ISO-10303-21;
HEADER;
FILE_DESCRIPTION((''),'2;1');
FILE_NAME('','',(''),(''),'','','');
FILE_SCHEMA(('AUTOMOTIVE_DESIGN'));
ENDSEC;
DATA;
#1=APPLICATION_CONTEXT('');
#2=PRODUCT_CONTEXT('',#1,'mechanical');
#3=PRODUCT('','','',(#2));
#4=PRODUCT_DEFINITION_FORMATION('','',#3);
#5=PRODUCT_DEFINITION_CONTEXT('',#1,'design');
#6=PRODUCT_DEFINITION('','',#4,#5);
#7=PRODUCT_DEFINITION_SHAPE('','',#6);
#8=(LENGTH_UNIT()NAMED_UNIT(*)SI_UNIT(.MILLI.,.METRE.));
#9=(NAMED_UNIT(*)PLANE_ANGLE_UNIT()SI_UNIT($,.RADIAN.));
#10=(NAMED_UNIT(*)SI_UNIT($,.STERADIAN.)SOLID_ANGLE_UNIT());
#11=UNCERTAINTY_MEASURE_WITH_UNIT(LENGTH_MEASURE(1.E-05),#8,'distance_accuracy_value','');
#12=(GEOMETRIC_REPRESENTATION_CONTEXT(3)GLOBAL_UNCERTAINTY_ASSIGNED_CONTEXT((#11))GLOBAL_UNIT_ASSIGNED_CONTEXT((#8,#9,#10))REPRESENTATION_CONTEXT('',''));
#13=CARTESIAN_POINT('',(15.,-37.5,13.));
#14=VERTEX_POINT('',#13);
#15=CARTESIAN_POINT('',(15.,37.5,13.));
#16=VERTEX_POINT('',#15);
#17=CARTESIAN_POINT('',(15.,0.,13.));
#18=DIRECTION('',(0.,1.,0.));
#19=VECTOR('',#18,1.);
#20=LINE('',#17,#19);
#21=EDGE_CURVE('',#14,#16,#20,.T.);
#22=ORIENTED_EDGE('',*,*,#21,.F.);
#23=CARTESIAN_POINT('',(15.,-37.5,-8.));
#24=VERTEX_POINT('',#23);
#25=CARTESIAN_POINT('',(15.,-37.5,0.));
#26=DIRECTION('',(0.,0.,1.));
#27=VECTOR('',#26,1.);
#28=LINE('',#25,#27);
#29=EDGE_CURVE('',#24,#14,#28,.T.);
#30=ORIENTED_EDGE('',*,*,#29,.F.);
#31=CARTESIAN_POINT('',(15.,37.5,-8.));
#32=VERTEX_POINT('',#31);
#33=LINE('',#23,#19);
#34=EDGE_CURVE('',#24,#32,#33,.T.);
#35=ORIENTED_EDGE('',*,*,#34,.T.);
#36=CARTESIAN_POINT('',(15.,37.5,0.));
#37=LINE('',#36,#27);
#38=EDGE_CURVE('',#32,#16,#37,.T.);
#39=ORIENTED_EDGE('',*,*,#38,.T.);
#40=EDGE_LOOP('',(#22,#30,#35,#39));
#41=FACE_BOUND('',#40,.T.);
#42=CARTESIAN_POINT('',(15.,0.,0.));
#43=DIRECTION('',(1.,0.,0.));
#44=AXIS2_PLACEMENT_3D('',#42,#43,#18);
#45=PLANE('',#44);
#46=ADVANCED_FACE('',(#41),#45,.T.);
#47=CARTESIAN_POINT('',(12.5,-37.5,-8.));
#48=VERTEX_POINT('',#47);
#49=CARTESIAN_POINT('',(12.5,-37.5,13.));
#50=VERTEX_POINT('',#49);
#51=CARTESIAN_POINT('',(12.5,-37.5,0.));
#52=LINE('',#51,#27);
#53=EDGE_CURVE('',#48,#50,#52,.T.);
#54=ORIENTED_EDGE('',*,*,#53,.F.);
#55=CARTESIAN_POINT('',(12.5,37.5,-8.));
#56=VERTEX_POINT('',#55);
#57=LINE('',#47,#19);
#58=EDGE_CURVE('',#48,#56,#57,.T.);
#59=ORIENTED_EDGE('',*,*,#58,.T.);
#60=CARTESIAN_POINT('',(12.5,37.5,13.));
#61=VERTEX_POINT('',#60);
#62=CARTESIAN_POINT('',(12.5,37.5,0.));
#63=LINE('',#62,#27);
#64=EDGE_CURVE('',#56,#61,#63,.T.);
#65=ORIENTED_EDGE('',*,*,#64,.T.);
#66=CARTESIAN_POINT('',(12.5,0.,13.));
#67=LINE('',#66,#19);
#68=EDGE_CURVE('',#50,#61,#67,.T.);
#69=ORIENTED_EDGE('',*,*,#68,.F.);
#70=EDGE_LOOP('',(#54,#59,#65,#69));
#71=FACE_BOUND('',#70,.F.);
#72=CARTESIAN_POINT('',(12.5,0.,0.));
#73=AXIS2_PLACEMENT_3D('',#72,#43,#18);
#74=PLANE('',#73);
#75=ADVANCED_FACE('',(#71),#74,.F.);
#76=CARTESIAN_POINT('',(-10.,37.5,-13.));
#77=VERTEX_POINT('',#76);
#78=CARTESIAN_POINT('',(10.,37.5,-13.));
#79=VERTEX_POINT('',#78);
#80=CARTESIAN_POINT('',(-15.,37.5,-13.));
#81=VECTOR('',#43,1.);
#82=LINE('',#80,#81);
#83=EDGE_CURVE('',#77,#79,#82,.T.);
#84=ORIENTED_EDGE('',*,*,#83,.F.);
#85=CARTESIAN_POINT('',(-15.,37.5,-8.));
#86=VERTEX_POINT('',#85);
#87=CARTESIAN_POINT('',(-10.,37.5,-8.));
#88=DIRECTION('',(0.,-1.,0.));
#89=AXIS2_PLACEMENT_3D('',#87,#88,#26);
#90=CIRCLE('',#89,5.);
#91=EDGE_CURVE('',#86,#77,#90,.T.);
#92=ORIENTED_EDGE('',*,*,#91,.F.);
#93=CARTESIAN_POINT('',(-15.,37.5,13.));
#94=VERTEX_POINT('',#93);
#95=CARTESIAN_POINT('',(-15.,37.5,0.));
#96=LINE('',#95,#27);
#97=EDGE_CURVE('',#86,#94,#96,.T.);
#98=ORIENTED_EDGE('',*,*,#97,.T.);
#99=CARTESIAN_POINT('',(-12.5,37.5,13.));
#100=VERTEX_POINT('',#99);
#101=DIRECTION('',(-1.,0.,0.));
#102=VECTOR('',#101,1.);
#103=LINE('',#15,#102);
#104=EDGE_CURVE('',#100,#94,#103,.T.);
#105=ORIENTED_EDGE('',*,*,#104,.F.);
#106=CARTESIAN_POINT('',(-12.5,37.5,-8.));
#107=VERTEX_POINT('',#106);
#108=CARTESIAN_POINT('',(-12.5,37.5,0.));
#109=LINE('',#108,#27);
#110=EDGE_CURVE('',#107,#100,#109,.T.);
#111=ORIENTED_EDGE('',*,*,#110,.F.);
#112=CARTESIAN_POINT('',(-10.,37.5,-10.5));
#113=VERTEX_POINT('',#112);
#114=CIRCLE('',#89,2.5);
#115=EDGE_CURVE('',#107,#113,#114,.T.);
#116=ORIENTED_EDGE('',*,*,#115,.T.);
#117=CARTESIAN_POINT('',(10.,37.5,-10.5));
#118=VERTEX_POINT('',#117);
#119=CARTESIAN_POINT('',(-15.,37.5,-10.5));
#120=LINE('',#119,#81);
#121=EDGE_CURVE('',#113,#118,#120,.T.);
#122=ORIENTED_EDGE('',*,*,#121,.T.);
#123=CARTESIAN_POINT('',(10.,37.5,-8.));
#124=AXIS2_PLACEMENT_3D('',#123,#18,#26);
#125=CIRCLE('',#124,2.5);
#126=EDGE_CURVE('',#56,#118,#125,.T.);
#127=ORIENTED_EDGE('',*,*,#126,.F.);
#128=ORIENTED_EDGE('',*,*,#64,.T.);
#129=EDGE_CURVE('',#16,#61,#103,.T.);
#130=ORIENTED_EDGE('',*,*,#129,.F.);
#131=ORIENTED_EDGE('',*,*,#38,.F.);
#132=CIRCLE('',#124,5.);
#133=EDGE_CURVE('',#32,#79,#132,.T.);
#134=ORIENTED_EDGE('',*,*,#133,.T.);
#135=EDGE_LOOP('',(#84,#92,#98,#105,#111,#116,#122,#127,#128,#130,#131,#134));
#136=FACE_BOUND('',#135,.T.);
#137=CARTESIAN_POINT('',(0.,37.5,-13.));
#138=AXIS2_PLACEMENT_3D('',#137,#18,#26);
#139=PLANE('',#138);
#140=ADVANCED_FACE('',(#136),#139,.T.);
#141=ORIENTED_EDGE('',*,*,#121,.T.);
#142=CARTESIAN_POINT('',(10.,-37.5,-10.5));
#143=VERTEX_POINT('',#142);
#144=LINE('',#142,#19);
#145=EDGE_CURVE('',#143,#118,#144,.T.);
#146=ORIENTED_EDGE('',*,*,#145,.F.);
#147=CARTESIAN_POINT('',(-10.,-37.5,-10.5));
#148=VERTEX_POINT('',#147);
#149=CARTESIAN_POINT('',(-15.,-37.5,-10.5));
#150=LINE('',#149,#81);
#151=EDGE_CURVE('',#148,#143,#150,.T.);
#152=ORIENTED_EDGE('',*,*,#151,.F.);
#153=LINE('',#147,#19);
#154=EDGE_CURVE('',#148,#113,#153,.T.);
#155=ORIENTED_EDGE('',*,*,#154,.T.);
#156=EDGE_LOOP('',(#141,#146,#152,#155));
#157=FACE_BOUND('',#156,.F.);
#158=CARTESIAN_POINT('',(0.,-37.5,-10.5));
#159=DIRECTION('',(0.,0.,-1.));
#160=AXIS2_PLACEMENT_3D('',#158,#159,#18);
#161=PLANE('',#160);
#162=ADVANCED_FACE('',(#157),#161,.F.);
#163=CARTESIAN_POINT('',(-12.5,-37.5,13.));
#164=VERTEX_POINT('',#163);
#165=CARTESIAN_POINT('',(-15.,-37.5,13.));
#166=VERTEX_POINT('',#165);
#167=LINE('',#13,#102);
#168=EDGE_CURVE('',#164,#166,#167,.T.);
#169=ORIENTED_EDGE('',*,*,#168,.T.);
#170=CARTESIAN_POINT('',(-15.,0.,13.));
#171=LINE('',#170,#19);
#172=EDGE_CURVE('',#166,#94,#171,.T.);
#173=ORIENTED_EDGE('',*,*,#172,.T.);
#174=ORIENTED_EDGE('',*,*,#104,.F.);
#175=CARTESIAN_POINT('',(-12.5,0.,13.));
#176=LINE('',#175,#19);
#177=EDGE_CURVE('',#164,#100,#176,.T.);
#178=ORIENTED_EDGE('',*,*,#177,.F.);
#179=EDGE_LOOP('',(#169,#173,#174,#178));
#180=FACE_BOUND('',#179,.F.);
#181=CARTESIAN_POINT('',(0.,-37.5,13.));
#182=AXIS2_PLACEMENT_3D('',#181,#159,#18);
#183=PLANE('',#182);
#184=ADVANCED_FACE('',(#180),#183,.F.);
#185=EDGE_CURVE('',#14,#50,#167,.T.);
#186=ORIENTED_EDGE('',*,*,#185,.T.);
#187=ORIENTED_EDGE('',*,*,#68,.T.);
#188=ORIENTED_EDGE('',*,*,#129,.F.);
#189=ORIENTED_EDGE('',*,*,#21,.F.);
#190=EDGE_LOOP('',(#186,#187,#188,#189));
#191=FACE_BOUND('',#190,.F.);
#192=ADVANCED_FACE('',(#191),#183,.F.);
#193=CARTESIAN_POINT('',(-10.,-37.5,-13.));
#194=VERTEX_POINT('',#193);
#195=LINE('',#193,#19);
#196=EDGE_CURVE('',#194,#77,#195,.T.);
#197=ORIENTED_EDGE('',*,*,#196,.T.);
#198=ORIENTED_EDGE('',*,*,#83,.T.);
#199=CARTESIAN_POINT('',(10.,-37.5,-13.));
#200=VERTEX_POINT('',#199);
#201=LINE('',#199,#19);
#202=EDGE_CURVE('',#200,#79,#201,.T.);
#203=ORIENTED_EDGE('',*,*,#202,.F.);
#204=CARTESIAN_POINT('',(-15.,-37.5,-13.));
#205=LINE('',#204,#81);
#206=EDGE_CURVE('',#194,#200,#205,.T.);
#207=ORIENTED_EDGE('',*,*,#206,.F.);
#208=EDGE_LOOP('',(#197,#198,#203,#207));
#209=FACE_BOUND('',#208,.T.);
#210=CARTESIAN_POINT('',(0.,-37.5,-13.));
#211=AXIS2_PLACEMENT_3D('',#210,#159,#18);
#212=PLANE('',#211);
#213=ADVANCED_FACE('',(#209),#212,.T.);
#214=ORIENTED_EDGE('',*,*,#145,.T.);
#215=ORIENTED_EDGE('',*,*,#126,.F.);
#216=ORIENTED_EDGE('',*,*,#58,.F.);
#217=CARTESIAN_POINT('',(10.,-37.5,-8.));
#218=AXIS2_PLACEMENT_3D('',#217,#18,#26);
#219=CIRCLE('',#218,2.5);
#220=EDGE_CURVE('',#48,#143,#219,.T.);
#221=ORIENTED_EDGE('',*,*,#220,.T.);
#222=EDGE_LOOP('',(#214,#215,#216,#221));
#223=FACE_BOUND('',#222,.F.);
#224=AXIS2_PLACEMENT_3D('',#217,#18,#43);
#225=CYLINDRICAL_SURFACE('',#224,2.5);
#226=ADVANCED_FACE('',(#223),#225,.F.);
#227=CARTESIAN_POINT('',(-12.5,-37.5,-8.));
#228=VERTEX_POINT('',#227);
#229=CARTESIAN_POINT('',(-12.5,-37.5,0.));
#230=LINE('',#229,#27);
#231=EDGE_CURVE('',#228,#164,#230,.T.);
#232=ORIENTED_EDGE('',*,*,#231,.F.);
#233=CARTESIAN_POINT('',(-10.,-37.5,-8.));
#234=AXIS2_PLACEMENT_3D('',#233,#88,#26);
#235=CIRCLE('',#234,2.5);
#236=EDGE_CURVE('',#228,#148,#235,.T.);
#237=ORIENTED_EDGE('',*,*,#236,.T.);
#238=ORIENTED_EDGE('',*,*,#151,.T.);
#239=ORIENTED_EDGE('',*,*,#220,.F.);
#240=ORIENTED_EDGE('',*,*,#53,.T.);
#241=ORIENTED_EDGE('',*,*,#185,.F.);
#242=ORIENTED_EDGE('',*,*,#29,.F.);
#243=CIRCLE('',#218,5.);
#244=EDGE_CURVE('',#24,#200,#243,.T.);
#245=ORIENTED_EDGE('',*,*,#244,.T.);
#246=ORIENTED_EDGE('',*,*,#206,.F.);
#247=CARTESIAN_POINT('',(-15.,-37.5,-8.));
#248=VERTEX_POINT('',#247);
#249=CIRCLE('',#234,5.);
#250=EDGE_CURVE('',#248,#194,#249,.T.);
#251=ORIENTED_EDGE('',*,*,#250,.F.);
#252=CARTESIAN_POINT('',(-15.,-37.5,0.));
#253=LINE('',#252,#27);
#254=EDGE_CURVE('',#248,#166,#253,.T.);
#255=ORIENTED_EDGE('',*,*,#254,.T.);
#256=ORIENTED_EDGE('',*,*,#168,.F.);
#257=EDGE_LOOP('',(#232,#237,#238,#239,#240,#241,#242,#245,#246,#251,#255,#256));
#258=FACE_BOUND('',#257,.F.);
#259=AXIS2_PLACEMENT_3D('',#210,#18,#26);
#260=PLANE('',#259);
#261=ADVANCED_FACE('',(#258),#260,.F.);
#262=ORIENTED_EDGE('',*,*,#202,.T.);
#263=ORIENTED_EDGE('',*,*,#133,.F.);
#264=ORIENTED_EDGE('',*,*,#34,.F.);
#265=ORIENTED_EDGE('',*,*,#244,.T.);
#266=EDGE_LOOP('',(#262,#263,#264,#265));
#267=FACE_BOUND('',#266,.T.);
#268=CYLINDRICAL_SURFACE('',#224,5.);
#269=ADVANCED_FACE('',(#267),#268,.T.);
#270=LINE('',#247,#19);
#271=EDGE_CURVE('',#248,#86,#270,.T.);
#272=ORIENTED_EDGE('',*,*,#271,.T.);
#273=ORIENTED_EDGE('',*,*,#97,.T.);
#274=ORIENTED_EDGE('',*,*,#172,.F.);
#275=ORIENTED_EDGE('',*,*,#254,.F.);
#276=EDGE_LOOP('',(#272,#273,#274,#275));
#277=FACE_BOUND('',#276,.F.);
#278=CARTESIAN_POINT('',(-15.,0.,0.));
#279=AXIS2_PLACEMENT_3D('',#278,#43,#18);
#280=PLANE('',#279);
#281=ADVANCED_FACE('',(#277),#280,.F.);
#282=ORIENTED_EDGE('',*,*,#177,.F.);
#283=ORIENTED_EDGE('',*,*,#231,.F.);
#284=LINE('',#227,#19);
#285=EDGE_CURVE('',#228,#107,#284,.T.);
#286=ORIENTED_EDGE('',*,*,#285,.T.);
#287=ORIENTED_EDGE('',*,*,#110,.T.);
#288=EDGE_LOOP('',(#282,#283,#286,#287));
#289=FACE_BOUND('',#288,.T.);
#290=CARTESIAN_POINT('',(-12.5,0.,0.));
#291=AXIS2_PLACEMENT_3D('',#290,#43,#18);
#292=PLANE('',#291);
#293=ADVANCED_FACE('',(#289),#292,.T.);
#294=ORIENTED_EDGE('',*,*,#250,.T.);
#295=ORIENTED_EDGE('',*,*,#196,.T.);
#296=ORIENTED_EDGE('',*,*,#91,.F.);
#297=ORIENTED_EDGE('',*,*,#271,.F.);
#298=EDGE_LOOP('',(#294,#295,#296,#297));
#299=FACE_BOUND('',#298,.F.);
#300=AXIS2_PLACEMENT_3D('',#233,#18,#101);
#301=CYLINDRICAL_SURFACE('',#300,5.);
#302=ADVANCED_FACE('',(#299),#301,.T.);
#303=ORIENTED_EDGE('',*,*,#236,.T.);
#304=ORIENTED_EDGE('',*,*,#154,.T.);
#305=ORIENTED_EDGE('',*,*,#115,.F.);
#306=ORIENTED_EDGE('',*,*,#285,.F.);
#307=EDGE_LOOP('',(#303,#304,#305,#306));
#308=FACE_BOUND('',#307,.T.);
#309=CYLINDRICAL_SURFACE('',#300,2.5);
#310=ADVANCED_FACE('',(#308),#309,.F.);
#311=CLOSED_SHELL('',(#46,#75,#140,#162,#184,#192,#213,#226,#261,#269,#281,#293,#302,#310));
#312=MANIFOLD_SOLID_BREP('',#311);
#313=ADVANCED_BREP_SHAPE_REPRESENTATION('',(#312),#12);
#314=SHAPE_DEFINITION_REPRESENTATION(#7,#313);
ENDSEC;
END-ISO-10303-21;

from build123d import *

# Parameters (mm, degrees)
F0_W     = 75
F0_H     = 26
F1_DEPTH = 15
F2_R     = 5
F3_T     = -2.5


with BuildPart() as f1:
    # F0 (on Right) → F1 (new body, symmetric)
    with BuildSketch(Plane.YZ):
        Rectangle(F0_W, F0_H)
    extrude(amount=F1_DEPTH, both=True)

    # F2
    f2_edges = [f1.edges().sort_by_distance(p)[0] for p in [
        (15, 0, -13),
        (-15, 0, -13),
    ]]
    fillet(f2_edges, radius=F2_R)

    # F3
    f3_openings = [f1.faces().sort_by_distance(p)[0] for p in [
        (0, 0, 13),
        (0, -37.5, 0.165751),
        (0, 37.5, 0.165751),
    ]]
    offset(amount=F3_T, openings=f3_openings)


solid = f1.part
